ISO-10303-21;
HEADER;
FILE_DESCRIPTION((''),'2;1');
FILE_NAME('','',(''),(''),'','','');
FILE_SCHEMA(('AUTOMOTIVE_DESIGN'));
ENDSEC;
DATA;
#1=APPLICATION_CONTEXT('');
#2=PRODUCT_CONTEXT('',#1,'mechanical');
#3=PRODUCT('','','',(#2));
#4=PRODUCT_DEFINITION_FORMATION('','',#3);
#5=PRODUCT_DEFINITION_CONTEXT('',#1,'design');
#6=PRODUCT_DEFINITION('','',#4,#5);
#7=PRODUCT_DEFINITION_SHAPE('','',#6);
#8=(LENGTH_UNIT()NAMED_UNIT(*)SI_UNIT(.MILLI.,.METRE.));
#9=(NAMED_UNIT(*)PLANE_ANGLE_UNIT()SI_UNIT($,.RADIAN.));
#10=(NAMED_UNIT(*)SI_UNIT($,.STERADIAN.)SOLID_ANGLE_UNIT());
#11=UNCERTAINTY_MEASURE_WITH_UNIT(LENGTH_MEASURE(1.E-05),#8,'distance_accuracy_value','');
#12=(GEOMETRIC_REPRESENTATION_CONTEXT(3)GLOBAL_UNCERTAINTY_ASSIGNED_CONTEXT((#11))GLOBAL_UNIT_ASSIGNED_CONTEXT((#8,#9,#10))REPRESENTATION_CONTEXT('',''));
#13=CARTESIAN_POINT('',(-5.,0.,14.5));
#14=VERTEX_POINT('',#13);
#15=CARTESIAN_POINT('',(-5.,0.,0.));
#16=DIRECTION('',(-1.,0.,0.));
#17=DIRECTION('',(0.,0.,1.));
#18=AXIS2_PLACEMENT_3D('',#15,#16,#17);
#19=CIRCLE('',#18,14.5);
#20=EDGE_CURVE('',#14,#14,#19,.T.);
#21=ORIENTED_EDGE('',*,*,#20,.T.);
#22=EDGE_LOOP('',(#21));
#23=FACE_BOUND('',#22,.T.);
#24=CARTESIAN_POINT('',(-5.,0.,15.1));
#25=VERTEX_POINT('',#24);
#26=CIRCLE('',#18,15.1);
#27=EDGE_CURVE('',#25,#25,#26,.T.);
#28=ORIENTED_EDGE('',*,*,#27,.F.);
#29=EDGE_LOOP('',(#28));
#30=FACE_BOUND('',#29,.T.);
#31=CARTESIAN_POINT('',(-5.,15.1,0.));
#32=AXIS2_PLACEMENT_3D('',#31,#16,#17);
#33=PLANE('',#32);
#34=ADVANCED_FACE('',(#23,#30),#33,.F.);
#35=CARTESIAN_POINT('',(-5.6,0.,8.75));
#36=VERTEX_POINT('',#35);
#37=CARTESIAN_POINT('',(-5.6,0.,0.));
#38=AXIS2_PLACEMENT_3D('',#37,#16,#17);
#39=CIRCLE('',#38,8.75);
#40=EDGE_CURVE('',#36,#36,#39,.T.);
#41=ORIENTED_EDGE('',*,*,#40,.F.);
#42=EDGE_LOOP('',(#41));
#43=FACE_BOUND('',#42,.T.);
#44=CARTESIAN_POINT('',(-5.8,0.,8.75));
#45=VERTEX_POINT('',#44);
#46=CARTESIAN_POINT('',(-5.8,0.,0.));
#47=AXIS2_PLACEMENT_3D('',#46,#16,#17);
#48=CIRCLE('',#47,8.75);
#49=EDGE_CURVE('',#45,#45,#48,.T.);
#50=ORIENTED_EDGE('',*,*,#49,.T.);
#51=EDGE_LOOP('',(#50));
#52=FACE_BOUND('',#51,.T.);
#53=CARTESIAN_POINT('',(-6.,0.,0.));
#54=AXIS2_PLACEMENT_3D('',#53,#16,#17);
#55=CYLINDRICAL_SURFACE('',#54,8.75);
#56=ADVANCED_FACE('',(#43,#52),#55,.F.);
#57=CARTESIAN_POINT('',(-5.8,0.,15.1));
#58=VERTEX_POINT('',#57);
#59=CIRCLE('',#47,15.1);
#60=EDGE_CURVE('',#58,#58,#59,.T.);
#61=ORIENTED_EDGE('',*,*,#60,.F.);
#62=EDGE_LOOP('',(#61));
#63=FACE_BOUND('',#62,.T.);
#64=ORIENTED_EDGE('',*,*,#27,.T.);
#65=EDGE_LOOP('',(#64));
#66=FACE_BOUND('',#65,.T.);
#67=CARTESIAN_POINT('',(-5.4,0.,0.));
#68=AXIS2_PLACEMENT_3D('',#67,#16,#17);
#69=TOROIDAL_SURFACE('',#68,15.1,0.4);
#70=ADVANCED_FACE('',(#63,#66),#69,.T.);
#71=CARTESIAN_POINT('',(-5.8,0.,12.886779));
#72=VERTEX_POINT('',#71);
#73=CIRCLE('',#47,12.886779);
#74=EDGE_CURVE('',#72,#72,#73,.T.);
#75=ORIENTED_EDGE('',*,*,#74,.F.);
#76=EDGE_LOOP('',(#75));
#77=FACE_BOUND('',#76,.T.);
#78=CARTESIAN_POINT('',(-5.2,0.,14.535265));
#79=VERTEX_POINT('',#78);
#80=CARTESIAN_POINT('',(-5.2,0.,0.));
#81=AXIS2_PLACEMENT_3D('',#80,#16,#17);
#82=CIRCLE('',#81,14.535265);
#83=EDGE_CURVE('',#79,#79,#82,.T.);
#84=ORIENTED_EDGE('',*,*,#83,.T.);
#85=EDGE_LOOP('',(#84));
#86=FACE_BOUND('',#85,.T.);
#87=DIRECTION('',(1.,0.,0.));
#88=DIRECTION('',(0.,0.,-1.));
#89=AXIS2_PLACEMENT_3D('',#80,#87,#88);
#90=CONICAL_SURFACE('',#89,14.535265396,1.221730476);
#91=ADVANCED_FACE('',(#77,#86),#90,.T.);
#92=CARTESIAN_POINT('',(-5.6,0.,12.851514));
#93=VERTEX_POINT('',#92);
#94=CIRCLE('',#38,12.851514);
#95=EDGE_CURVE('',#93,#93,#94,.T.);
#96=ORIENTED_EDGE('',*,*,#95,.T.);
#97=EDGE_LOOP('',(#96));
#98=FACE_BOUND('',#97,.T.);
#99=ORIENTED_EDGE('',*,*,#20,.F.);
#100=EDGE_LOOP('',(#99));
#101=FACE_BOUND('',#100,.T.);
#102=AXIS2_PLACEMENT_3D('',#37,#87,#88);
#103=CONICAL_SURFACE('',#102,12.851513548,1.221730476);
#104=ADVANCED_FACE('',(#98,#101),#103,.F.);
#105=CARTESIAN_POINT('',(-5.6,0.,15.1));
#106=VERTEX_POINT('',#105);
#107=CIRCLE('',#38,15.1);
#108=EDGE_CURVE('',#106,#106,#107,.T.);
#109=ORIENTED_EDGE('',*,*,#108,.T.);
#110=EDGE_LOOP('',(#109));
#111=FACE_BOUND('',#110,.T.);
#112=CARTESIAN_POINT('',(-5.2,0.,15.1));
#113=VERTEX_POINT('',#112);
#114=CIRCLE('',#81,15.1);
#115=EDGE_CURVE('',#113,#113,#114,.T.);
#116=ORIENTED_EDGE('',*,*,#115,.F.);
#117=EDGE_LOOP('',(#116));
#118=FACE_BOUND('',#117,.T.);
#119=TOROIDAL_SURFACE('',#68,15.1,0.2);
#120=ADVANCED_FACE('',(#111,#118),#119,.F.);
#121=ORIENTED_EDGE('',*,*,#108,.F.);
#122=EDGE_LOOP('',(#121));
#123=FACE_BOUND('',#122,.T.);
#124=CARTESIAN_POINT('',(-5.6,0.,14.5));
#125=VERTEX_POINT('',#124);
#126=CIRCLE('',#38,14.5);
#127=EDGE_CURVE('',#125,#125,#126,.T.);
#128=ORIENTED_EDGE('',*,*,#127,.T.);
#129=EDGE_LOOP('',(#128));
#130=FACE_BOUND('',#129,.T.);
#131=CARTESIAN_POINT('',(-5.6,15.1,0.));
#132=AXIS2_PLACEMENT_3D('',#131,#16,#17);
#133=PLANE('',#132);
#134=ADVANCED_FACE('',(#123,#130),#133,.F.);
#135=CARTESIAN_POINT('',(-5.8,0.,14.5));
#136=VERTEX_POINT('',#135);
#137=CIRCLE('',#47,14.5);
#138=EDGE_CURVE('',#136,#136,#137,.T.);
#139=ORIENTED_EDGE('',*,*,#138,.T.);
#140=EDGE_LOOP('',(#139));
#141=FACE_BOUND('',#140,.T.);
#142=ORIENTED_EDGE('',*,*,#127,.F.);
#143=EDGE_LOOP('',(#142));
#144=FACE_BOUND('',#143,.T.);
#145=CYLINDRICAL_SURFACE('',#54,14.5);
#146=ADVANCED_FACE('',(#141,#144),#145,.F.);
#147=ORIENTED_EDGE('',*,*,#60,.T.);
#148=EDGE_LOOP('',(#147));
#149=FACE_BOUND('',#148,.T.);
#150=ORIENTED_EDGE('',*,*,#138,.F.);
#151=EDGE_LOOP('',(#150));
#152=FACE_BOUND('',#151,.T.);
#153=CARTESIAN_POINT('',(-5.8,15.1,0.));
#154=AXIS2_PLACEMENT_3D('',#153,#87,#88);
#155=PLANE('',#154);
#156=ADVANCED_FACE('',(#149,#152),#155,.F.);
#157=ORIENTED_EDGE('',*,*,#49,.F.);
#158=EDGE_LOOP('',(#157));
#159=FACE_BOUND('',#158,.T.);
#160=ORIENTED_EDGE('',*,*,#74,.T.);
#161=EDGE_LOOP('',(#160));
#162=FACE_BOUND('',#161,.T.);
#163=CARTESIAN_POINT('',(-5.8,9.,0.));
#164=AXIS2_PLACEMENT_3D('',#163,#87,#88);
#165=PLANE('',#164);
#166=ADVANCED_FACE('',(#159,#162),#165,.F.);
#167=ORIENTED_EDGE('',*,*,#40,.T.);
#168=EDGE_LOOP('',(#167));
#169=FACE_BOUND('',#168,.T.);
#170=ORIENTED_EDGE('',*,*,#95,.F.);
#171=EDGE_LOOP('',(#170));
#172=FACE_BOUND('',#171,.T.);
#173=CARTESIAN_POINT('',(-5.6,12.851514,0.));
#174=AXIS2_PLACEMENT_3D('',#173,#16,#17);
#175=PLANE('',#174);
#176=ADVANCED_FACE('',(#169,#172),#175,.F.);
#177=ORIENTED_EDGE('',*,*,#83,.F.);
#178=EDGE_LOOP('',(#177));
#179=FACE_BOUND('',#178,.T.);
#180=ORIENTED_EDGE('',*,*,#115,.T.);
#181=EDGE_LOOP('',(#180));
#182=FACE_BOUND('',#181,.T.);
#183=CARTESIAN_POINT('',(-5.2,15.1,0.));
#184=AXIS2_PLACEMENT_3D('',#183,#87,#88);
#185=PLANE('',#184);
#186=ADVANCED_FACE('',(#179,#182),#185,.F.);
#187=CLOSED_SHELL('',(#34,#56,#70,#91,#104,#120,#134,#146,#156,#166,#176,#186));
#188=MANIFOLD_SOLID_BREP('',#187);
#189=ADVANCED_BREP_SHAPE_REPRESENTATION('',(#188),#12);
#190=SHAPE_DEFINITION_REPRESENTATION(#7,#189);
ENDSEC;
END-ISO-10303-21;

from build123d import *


with BuildPart() as part:
    # Sketch1 → Revolve1 (revolve)
    with BuildSketch(Plane.XY, mode=Mode.PRIVATE) as revolve1_sk:
        with BuildLine():
            Line((-5.8, 9), (-5.8, 8.75))
            Line((-5.8, 8.75), (-5.6, 8.75))
            Line((-5.6, 8.75), (-5.6, 9))
            Line((-5.6, 9), (-5.6, 12.851513548))
            Line((-5.6, 12.851513548), (-5, 14.5))
            Line((-5, 14.5), (-5, 15.1))
            ThreePointArc((-5, 15.1), (-5.4, 15.5), (-5.8, 15.1))
            Line((-5.8, 15.1), (-5.8, 14.5))
            Line((-5.8, 14.5), (-5.6, 14.5))
            Line((-5.6, 14.5), (-5.6, 15.1))
            ThreePointArc((-5.6, 15.1), (-5.4, 15.3), (-5.2, 15.1))
            Line((-5.2, 15.1), (-5.2, 14.535265396))
            Line((-5.2, 14.535265396), (-5.8, 12.886778944))
            Line((-5.8, 12.886778944), (-5.8, 9))
        make_face()
    revolve(revolve1_sk.sketch.rotate(Axis((-6, 0, 0), (1, 0, 0)), 90), axis=Axis((-6, 0, 0), (1, 0, 0)))


solid = part.part
